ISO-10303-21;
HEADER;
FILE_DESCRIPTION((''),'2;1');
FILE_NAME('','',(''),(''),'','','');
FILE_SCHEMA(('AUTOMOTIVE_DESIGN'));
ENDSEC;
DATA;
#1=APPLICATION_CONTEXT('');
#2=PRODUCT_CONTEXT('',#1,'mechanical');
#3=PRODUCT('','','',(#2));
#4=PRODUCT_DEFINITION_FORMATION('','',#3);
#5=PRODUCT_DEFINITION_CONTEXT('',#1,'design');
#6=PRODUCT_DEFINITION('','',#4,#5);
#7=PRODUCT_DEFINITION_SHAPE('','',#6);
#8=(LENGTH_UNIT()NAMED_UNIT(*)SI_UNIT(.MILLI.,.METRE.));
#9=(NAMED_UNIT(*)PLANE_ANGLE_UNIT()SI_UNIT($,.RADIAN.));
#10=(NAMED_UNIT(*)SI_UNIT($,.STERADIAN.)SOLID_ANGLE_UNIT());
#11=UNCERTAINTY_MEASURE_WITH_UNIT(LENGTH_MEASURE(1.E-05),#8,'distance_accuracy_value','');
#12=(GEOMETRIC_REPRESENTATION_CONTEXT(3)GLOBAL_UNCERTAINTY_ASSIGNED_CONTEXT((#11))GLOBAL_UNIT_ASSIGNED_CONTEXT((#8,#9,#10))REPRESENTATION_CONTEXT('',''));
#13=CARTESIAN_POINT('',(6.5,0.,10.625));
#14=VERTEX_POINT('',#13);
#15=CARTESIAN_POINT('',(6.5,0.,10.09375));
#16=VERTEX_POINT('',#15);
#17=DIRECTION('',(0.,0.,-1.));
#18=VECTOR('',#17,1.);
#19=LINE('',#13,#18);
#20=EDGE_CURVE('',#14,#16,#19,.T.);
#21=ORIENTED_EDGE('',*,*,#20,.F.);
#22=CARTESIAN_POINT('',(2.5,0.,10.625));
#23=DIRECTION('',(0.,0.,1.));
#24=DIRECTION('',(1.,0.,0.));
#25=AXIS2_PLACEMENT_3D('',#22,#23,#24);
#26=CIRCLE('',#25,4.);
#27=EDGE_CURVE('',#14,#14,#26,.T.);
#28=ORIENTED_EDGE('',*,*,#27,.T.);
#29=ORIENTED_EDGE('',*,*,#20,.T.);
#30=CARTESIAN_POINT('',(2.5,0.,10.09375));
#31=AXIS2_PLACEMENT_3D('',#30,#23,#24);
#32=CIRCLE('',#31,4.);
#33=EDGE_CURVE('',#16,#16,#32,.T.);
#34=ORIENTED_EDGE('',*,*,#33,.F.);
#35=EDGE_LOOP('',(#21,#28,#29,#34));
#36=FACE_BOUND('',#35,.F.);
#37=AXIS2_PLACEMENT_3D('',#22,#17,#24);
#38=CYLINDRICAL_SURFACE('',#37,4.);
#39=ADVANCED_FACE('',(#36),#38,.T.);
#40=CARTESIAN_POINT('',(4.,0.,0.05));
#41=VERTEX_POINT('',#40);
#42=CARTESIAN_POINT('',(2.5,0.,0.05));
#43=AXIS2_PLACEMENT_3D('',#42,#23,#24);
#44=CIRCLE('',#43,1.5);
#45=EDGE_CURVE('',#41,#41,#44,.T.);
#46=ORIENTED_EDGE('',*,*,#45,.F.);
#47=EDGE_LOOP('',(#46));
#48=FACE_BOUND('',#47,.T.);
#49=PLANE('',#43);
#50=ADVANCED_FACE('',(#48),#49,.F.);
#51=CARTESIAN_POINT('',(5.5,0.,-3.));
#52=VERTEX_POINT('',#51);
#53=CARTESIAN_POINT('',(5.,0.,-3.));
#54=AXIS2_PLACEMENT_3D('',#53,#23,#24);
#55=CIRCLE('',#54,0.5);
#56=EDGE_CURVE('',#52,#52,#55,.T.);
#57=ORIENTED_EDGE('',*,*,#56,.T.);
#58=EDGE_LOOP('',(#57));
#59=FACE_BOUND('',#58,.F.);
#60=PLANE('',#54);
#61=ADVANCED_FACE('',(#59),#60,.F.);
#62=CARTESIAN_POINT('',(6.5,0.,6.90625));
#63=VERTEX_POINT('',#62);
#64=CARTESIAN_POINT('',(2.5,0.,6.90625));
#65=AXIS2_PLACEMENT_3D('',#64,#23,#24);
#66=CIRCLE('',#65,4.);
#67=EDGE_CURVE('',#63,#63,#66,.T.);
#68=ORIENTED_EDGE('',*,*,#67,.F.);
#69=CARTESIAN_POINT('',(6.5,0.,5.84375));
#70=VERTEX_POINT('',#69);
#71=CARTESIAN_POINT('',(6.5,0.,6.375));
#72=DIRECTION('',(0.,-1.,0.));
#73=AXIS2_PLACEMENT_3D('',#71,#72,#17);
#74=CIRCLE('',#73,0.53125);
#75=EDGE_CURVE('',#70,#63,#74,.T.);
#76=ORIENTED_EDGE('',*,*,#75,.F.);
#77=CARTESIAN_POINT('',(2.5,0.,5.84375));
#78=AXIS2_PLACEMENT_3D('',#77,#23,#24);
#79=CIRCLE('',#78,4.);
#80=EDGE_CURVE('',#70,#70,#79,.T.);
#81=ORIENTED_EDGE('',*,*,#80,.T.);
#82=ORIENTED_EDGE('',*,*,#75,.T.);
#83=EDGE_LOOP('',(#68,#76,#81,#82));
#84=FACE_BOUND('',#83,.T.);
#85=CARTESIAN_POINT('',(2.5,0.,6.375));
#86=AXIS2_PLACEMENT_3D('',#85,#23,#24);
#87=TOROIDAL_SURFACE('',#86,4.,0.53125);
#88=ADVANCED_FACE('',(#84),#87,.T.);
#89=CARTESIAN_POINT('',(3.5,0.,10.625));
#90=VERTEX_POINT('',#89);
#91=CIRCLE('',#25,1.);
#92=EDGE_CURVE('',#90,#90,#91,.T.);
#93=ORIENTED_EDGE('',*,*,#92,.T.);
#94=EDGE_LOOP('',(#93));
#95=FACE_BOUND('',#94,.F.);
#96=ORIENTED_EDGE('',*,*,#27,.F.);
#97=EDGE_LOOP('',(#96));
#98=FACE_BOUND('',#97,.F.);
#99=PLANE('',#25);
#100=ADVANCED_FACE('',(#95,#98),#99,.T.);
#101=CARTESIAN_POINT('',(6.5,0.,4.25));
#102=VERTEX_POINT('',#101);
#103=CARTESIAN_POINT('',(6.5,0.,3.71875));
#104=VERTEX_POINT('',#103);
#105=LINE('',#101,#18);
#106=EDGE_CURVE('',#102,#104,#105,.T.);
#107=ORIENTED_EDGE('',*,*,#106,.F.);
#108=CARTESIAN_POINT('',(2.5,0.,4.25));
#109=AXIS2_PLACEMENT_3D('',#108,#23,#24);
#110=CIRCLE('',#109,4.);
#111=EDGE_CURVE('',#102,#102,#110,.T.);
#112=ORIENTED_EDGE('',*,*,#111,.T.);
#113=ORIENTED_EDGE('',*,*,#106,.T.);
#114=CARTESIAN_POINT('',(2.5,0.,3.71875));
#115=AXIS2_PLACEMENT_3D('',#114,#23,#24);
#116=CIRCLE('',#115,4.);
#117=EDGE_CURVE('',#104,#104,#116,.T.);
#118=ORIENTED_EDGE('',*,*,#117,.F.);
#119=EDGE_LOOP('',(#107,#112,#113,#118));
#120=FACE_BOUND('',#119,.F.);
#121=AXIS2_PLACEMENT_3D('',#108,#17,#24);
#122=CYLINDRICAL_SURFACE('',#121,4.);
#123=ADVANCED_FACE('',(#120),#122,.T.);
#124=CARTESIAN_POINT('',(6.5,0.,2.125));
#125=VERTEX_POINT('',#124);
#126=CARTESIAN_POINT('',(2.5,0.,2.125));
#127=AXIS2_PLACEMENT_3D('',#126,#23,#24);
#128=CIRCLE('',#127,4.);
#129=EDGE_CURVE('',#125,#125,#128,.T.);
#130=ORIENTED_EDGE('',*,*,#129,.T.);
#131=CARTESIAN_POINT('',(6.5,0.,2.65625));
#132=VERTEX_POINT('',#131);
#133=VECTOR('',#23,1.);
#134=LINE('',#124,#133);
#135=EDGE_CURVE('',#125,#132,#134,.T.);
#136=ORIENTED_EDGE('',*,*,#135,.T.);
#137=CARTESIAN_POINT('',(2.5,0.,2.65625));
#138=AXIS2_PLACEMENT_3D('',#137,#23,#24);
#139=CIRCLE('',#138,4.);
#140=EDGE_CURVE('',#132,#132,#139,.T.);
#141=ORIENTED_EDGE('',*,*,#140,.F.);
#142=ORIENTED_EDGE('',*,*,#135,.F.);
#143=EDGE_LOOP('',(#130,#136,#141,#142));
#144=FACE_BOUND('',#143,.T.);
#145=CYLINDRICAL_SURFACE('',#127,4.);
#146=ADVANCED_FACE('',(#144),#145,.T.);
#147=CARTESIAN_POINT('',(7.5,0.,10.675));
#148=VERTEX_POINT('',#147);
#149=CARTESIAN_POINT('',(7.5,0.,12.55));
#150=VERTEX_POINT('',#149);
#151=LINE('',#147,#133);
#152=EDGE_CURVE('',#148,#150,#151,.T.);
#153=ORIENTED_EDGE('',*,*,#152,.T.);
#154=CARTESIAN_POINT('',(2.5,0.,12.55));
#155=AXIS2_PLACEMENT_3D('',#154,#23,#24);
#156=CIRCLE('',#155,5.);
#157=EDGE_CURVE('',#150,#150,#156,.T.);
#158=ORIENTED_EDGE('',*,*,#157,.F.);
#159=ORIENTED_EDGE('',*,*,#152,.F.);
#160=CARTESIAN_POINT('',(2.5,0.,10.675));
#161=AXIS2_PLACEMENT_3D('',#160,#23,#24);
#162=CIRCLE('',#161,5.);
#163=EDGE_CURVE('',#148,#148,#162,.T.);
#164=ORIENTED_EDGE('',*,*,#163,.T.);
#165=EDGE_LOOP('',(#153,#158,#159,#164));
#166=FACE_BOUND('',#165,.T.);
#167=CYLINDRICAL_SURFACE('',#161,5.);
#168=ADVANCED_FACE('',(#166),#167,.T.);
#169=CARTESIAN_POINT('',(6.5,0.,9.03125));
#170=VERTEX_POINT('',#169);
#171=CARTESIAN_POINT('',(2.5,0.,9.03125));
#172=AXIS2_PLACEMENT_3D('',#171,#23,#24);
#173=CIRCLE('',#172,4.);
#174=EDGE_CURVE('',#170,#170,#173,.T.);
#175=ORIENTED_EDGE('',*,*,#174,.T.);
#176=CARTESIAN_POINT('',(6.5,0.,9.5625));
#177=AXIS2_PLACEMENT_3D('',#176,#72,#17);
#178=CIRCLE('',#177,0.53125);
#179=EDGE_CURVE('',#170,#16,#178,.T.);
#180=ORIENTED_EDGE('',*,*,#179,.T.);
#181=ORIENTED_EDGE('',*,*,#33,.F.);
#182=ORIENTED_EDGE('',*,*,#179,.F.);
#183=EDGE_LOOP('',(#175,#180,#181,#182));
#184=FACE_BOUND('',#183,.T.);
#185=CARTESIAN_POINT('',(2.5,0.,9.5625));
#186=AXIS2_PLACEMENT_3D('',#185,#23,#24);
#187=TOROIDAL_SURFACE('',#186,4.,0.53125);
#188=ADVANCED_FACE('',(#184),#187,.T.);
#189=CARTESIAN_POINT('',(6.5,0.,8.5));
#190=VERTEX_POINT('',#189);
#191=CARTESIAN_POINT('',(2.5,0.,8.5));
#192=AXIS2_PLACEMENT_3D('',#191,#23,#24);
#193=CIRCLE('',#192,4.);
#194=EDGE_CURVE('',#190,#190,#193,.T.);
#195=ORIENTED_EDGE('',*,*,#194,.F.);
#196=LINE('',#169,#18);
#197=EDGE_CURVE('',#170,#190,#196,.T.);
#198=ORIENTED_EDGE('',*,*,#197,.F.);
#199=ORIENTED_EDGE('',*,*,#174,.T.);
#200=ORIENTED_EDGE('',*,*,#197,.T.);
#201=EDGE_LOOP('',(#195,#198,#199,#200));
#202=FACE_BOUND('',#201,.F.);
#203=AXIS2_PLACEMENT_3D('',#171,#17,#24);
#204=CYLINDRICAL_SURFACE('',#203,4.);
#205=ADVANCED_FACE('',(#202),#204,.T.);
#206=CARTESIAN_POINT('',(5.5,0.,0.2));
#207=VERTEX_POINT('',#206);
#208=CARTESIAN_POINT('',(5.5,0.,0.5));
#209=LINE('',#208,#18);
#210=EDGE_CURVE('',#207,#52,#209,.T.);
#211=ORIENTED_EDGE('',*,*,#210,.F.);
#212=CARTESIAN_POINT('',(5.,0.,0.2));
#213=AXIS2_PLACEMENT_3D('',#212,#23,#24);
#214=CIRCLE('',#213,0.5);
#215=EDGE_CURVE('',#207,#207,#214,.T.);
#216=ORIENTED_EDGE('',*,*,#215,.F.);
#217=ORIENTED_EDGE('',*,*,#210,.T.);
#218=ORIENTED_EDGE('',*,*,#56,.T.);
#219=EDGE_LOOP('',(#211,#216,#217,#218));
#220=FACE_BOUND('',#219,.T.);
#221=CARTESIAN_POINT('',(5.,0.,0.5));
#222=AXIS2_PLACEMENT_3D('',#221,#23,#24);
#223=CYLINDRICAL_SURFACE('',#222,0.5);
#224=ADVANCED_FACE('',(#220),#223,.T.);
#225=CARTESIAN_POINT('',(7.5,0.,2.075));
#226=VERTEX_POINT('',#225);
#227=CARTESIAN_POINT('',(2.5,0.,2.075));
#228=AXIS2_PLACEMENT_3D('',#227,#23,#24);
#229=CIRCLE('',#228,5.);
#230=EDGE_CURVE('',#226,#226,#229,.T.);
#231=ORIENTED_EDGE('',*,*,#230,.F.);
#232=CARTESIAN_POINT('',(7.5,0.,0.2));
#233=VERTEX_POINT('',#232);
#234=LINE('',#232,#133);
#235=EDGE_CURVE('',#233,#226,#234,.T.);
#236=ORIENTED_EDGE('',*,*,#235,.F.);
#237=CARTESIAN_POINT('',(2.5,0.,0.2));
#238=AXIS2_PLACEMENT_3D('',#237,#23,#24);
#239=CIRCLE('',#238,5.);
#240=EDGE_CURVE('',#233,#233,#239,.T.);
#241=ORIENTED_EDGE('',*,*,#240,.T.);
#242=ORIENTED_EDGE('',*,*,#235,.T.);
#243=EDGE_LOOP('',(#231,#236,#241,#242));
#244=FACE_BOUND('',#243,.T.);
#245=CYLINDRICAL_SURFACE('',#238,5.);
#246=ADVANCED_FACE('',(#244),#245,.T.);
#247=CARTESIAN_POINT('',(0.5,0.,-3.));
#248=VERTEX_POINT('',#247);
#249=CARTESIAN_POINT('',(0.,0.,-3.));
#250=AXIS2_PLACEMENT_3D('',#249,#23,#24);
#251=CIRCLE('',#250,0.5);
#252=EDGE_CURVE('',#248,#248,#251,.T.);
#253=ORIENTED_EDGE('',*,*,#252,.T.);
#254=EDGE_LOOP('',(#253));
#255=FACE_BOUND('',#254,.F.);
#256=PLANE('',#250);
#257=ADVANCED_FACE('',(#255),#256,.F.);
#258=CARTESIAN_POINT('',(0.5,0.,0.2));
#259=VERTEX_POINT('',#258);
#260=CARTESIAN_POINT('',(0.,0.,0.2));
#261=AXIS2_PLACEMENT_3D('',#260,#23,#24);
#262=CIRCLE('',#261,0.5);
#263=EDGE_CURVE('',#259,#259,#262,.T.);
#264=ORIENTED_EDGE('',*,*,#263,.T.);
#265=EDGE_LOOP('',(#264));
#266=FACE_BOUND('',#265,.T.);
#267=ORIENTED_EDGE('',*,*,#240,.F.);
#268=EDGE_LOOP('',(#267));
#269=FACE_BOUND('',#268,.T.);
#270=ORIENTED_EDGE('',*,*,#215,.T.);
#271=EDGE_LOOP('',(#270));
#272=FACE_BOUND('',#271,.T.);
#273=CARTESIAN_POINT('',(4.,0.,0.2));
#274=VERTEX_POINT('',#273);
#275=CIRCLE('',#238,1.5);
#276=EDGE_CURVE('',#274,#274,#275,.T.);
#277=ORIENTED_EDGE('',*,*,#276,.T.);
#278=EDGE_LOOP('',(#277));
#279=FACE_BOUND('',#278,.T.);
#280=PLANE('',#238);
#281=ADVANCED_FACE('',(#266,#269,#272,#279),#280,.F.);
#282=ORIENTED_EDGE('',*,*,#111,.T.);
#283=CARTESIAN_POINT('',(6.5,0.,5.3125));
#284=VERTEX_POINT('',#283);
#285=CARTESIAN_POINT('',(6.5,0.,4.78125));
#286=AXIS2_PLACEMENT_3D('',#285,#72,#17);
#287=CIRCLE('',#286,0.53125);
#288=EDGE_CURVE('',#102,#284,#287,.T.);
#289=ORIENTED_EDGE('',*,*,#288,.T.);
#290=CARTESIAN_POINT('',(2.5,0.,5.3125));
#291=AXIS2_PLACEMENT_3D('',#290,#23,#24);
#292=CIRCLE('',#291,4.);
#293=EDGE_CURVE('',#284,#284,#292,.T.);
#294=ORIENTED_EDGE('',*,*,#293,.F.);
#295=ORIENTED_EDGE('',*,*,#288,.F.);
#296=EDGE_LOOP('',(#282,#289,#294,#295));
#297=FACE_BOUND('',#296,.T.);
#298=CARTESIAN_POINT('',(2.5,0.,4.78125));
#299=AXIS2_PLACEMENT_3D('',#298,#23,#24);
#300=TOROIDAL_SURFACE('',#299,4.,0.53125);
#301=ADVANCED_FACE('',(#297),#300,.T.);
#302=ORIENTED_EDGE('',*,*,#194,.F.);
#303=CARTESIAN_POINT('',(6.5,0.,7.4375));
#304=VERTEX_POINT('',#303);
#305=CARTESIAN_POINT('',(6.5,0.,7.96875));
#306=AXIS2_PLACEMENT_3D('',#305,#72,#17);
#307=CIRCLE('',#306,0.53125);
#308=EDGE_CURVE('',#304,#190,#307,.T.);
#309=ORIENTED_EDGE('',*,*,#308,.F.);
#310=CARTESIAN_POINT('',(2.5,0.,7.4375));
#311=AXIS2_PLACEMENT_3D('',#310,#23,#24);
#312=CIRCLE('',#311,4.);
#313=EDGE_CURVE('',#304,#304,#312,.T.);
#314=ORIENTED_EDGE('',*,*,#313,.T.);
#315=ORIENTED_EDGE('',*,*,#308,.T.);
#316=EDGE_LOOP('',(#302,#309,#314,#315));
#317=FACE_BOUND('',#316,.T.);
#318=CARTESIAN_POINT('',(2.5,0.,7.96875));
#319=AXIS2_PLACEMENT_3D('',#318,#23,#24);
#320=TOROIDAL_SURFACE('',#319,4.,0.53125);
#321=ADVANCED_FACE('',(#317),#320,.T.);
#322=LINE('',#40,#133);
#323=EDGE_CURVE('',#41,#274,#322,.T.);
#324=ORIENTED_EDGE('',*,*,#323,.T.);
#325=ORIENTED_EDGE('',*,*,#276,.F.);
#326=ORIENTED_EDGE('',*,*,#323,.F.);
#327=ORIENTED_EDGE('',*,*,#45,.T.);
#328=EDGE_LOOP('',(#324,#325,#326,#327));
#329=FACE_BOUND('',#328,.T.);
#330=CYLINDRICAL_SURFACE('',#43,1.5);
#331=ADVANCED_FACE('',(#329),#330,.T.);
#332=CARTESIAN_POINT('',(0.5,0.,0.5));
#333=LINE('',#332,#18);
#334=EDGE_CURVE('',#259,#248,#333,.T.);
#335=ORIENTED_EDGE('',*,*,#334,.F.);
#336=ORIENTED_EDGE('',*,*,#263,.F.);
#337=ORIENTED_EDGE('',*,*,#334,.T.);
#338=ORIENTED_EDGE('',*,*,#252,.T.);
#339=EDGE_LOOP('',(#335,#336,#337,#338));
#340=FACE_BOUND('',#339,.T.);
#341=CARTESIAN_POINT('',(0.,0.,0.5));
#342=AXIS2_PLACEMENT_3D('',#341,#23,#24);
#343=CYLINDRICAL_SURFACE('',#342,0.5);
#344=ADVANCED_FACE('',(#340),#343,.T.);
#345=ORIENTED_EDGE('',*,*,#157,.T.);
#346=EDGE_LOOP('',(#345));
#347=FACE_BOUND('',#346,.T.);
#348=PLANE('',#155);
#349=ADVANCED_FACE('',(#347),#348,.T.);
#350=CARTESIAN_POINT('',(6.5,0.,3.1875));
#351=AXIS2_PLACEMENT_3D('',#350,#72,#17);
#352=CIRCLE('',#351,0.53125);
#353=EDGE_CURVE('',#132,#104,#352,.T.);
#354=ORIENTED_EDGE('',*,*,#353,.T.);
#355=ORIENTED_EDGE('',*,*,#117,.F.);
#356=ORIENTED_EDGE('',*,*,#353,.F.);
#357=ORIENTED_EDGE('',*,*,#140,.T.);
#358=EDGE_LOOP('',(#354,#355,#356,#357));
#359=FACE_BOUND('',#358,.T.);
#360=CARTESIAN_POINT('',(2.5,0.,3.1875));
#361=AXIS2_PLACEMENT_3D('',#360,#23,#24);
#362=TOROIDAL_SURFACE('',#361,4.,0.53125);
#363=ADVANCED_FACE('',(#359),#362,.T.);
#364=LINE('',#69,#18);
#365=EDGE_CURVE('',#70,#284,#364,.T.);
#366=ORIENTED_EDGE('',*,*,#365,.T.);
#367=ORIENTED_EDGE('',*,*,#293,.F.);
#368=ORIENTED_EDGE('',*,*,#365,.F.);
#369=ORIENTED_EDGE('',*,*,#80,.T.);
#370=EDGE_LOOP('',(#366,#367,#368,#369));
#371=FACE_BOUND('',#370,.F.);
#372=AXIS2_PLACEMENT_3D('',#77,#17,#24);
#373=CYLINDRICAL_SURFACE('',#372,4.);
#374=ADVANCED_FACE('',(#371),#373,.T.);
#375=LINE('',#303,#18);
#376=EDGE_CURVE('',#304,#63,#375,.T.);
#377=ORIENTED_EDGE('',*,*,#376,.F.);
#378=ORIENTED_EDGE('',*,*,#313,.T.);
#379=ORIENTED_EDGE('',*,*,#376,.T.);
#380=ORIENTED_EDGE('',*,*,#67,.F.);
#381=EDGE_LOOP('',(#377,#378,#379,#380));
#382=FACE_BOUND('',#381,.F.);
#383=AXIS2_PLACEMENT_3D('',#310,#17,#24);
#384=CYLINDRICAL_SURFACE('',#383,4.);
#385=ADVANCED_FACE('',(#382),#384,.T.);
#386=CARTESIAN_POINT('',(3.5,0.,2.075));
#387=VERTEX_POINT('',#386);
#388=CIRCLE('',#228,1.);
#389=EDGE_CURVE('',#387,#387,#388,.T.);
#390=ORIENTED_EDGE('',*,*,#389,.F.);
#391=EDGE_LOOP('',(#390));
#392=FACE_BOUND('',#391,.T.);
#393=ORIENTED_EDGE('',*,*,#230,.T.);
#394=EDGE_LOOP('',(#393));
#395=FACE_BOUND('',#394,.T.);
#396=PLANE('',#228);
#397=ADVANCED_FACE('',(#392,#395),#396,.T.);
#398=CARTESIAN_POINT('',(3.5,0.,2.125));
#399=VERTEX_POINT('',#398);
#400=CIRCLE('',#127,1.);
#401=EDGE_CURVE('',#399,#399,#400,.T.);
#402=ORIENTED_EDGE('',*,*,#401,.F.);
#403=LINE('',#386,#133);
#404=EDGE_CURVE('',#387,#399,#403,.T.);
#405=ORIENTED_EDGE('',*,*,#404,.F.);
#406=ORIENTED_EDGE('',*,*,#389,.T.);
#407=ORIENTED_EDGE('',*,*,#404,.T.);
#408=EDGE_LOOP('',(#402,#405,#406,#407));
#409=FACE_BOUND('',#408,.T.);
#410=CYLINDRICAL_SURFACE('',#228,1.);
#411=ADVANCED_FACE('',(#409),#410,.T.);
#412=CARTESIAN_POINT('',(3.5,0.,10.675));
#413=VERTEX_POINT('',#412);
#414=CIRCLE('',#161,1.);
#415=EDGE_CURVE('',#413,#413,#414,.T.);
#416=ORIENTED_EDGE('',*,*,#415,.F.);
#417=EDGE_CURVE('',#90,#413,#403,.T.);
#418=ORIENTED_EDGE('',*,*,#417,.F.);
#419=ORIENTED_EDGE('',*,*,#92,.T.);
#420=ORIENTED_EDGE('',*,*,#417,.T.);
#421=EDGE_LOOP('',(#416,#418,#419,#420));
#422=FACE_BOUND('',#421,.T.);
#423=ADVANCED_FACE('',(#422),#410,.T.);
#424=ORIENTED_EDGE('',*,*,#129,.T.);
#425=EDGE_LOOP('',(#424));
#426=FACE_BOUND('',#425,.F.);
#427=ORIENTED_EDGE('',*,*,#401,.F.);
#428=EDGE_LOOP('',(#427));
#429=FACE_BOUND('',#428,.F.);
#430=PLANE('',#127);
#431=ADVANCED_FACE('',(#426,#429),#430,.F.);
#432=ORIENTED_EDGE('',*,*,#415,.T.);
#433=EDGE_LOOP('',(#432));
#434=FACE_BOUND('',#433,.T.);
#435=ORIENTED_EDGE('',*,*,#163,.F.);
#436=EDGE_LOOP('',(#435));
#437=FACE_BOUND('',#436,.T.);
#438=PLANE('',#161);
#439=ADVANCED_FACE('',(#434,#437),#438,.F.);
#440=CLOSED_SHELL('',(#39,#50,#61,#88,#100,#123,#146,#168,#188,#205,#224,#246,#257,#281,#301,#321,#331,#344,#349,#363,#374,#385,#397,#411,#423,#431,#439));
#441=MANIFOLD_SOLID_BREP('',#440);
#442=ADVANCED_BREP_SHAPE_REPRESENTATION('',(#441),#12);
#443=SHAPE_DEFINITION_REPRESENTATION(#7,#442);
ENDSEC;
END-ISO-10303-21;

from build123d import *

# Parameters (mm, degrees)
SKETCH001_R  = 0.5
PAD001_DEPTH = 3.5


with BuildPart() as revolution:
    # Sketch → Revolution (revolve)
    with BuildSketch(Plane(origin=(2.5, 0, 0), x_dir=(1, 0, 0), z_dir=(0, -1, 0))):
        Polygon((0, 0.05), (1.5, 0.05), (1.5, 0.2), (5, 0.2), (5, 2.075), (1, 2.075), (1, 10.675), (5, 10.675), (5, 12.55), (0, 12.55), align=None)
    revolve(axis=Axis((2.5, 0, 0), (0, 0, 1)))


with BuildPart() as pad001:
    # Sketch001 → Pad001 (new body)
    with BuildSketch(Plane.XY.offset(0.5)):
        Circle(SKETCH001_R)
        with Locations((5, 0)):
            Circle(SKETCH001_R)
    extrude(amount=-PAD001_DEPTH)


with BuildPart() as l_radial_d10_0mm_p5_00mm_fastron_07p:
    # Sketch002 → Revolution001 (revolve)
    with BuildSketch(Plane(origin=(2.5, 0, 0), x_dir=(1, 0, 0), z_dir=(0, -1, 0))):
        with BuildLine():
            Line((4, 2.125), (1, 2.125))
            Line((1, 2.125), (1, 10.625))
            Line((1, 10.625), (4, 10.625))
            Line((4, 10.625), (4, 10.09375))
            ThreePointArc((4, 9.03125), (4.53125, 9.5625), (4, 10.09375))
            Line((4, 9.03125), (4, 8.5))
            ThreePointArc((4, 7.4375), (4.53125, 7.96875), (4, 8.5))
            Line((4, 7.4375), (4, 6.90625))
            ThreePointArc((4, 5.84375), (4.53125, 6.375), (4, 6.90625))
            Line((4, 5.84375), (4, 5.3125))
            ThreePointArc((4, 4.25), (4.53125, 4.78125), (4, 5.3125))
            Line((4, 4.25), (4, 3.71875))
            ThreePointArc((4, 2.65625), (4.53125, 3.1875), (4, 3.71875))
            Line((4, 2.125), (4, 2.65625))
        make_face()
    revolve(axis=Axis((2.5, 0, 0), (0, 0, 1)))

    # Revolution001_mp_cp: union Revolution, Pad001
    add(revolution.part)
    add(pad001.part)


solid = l_radial_d10_0mm_p5_00mm_fastron_07p.part
